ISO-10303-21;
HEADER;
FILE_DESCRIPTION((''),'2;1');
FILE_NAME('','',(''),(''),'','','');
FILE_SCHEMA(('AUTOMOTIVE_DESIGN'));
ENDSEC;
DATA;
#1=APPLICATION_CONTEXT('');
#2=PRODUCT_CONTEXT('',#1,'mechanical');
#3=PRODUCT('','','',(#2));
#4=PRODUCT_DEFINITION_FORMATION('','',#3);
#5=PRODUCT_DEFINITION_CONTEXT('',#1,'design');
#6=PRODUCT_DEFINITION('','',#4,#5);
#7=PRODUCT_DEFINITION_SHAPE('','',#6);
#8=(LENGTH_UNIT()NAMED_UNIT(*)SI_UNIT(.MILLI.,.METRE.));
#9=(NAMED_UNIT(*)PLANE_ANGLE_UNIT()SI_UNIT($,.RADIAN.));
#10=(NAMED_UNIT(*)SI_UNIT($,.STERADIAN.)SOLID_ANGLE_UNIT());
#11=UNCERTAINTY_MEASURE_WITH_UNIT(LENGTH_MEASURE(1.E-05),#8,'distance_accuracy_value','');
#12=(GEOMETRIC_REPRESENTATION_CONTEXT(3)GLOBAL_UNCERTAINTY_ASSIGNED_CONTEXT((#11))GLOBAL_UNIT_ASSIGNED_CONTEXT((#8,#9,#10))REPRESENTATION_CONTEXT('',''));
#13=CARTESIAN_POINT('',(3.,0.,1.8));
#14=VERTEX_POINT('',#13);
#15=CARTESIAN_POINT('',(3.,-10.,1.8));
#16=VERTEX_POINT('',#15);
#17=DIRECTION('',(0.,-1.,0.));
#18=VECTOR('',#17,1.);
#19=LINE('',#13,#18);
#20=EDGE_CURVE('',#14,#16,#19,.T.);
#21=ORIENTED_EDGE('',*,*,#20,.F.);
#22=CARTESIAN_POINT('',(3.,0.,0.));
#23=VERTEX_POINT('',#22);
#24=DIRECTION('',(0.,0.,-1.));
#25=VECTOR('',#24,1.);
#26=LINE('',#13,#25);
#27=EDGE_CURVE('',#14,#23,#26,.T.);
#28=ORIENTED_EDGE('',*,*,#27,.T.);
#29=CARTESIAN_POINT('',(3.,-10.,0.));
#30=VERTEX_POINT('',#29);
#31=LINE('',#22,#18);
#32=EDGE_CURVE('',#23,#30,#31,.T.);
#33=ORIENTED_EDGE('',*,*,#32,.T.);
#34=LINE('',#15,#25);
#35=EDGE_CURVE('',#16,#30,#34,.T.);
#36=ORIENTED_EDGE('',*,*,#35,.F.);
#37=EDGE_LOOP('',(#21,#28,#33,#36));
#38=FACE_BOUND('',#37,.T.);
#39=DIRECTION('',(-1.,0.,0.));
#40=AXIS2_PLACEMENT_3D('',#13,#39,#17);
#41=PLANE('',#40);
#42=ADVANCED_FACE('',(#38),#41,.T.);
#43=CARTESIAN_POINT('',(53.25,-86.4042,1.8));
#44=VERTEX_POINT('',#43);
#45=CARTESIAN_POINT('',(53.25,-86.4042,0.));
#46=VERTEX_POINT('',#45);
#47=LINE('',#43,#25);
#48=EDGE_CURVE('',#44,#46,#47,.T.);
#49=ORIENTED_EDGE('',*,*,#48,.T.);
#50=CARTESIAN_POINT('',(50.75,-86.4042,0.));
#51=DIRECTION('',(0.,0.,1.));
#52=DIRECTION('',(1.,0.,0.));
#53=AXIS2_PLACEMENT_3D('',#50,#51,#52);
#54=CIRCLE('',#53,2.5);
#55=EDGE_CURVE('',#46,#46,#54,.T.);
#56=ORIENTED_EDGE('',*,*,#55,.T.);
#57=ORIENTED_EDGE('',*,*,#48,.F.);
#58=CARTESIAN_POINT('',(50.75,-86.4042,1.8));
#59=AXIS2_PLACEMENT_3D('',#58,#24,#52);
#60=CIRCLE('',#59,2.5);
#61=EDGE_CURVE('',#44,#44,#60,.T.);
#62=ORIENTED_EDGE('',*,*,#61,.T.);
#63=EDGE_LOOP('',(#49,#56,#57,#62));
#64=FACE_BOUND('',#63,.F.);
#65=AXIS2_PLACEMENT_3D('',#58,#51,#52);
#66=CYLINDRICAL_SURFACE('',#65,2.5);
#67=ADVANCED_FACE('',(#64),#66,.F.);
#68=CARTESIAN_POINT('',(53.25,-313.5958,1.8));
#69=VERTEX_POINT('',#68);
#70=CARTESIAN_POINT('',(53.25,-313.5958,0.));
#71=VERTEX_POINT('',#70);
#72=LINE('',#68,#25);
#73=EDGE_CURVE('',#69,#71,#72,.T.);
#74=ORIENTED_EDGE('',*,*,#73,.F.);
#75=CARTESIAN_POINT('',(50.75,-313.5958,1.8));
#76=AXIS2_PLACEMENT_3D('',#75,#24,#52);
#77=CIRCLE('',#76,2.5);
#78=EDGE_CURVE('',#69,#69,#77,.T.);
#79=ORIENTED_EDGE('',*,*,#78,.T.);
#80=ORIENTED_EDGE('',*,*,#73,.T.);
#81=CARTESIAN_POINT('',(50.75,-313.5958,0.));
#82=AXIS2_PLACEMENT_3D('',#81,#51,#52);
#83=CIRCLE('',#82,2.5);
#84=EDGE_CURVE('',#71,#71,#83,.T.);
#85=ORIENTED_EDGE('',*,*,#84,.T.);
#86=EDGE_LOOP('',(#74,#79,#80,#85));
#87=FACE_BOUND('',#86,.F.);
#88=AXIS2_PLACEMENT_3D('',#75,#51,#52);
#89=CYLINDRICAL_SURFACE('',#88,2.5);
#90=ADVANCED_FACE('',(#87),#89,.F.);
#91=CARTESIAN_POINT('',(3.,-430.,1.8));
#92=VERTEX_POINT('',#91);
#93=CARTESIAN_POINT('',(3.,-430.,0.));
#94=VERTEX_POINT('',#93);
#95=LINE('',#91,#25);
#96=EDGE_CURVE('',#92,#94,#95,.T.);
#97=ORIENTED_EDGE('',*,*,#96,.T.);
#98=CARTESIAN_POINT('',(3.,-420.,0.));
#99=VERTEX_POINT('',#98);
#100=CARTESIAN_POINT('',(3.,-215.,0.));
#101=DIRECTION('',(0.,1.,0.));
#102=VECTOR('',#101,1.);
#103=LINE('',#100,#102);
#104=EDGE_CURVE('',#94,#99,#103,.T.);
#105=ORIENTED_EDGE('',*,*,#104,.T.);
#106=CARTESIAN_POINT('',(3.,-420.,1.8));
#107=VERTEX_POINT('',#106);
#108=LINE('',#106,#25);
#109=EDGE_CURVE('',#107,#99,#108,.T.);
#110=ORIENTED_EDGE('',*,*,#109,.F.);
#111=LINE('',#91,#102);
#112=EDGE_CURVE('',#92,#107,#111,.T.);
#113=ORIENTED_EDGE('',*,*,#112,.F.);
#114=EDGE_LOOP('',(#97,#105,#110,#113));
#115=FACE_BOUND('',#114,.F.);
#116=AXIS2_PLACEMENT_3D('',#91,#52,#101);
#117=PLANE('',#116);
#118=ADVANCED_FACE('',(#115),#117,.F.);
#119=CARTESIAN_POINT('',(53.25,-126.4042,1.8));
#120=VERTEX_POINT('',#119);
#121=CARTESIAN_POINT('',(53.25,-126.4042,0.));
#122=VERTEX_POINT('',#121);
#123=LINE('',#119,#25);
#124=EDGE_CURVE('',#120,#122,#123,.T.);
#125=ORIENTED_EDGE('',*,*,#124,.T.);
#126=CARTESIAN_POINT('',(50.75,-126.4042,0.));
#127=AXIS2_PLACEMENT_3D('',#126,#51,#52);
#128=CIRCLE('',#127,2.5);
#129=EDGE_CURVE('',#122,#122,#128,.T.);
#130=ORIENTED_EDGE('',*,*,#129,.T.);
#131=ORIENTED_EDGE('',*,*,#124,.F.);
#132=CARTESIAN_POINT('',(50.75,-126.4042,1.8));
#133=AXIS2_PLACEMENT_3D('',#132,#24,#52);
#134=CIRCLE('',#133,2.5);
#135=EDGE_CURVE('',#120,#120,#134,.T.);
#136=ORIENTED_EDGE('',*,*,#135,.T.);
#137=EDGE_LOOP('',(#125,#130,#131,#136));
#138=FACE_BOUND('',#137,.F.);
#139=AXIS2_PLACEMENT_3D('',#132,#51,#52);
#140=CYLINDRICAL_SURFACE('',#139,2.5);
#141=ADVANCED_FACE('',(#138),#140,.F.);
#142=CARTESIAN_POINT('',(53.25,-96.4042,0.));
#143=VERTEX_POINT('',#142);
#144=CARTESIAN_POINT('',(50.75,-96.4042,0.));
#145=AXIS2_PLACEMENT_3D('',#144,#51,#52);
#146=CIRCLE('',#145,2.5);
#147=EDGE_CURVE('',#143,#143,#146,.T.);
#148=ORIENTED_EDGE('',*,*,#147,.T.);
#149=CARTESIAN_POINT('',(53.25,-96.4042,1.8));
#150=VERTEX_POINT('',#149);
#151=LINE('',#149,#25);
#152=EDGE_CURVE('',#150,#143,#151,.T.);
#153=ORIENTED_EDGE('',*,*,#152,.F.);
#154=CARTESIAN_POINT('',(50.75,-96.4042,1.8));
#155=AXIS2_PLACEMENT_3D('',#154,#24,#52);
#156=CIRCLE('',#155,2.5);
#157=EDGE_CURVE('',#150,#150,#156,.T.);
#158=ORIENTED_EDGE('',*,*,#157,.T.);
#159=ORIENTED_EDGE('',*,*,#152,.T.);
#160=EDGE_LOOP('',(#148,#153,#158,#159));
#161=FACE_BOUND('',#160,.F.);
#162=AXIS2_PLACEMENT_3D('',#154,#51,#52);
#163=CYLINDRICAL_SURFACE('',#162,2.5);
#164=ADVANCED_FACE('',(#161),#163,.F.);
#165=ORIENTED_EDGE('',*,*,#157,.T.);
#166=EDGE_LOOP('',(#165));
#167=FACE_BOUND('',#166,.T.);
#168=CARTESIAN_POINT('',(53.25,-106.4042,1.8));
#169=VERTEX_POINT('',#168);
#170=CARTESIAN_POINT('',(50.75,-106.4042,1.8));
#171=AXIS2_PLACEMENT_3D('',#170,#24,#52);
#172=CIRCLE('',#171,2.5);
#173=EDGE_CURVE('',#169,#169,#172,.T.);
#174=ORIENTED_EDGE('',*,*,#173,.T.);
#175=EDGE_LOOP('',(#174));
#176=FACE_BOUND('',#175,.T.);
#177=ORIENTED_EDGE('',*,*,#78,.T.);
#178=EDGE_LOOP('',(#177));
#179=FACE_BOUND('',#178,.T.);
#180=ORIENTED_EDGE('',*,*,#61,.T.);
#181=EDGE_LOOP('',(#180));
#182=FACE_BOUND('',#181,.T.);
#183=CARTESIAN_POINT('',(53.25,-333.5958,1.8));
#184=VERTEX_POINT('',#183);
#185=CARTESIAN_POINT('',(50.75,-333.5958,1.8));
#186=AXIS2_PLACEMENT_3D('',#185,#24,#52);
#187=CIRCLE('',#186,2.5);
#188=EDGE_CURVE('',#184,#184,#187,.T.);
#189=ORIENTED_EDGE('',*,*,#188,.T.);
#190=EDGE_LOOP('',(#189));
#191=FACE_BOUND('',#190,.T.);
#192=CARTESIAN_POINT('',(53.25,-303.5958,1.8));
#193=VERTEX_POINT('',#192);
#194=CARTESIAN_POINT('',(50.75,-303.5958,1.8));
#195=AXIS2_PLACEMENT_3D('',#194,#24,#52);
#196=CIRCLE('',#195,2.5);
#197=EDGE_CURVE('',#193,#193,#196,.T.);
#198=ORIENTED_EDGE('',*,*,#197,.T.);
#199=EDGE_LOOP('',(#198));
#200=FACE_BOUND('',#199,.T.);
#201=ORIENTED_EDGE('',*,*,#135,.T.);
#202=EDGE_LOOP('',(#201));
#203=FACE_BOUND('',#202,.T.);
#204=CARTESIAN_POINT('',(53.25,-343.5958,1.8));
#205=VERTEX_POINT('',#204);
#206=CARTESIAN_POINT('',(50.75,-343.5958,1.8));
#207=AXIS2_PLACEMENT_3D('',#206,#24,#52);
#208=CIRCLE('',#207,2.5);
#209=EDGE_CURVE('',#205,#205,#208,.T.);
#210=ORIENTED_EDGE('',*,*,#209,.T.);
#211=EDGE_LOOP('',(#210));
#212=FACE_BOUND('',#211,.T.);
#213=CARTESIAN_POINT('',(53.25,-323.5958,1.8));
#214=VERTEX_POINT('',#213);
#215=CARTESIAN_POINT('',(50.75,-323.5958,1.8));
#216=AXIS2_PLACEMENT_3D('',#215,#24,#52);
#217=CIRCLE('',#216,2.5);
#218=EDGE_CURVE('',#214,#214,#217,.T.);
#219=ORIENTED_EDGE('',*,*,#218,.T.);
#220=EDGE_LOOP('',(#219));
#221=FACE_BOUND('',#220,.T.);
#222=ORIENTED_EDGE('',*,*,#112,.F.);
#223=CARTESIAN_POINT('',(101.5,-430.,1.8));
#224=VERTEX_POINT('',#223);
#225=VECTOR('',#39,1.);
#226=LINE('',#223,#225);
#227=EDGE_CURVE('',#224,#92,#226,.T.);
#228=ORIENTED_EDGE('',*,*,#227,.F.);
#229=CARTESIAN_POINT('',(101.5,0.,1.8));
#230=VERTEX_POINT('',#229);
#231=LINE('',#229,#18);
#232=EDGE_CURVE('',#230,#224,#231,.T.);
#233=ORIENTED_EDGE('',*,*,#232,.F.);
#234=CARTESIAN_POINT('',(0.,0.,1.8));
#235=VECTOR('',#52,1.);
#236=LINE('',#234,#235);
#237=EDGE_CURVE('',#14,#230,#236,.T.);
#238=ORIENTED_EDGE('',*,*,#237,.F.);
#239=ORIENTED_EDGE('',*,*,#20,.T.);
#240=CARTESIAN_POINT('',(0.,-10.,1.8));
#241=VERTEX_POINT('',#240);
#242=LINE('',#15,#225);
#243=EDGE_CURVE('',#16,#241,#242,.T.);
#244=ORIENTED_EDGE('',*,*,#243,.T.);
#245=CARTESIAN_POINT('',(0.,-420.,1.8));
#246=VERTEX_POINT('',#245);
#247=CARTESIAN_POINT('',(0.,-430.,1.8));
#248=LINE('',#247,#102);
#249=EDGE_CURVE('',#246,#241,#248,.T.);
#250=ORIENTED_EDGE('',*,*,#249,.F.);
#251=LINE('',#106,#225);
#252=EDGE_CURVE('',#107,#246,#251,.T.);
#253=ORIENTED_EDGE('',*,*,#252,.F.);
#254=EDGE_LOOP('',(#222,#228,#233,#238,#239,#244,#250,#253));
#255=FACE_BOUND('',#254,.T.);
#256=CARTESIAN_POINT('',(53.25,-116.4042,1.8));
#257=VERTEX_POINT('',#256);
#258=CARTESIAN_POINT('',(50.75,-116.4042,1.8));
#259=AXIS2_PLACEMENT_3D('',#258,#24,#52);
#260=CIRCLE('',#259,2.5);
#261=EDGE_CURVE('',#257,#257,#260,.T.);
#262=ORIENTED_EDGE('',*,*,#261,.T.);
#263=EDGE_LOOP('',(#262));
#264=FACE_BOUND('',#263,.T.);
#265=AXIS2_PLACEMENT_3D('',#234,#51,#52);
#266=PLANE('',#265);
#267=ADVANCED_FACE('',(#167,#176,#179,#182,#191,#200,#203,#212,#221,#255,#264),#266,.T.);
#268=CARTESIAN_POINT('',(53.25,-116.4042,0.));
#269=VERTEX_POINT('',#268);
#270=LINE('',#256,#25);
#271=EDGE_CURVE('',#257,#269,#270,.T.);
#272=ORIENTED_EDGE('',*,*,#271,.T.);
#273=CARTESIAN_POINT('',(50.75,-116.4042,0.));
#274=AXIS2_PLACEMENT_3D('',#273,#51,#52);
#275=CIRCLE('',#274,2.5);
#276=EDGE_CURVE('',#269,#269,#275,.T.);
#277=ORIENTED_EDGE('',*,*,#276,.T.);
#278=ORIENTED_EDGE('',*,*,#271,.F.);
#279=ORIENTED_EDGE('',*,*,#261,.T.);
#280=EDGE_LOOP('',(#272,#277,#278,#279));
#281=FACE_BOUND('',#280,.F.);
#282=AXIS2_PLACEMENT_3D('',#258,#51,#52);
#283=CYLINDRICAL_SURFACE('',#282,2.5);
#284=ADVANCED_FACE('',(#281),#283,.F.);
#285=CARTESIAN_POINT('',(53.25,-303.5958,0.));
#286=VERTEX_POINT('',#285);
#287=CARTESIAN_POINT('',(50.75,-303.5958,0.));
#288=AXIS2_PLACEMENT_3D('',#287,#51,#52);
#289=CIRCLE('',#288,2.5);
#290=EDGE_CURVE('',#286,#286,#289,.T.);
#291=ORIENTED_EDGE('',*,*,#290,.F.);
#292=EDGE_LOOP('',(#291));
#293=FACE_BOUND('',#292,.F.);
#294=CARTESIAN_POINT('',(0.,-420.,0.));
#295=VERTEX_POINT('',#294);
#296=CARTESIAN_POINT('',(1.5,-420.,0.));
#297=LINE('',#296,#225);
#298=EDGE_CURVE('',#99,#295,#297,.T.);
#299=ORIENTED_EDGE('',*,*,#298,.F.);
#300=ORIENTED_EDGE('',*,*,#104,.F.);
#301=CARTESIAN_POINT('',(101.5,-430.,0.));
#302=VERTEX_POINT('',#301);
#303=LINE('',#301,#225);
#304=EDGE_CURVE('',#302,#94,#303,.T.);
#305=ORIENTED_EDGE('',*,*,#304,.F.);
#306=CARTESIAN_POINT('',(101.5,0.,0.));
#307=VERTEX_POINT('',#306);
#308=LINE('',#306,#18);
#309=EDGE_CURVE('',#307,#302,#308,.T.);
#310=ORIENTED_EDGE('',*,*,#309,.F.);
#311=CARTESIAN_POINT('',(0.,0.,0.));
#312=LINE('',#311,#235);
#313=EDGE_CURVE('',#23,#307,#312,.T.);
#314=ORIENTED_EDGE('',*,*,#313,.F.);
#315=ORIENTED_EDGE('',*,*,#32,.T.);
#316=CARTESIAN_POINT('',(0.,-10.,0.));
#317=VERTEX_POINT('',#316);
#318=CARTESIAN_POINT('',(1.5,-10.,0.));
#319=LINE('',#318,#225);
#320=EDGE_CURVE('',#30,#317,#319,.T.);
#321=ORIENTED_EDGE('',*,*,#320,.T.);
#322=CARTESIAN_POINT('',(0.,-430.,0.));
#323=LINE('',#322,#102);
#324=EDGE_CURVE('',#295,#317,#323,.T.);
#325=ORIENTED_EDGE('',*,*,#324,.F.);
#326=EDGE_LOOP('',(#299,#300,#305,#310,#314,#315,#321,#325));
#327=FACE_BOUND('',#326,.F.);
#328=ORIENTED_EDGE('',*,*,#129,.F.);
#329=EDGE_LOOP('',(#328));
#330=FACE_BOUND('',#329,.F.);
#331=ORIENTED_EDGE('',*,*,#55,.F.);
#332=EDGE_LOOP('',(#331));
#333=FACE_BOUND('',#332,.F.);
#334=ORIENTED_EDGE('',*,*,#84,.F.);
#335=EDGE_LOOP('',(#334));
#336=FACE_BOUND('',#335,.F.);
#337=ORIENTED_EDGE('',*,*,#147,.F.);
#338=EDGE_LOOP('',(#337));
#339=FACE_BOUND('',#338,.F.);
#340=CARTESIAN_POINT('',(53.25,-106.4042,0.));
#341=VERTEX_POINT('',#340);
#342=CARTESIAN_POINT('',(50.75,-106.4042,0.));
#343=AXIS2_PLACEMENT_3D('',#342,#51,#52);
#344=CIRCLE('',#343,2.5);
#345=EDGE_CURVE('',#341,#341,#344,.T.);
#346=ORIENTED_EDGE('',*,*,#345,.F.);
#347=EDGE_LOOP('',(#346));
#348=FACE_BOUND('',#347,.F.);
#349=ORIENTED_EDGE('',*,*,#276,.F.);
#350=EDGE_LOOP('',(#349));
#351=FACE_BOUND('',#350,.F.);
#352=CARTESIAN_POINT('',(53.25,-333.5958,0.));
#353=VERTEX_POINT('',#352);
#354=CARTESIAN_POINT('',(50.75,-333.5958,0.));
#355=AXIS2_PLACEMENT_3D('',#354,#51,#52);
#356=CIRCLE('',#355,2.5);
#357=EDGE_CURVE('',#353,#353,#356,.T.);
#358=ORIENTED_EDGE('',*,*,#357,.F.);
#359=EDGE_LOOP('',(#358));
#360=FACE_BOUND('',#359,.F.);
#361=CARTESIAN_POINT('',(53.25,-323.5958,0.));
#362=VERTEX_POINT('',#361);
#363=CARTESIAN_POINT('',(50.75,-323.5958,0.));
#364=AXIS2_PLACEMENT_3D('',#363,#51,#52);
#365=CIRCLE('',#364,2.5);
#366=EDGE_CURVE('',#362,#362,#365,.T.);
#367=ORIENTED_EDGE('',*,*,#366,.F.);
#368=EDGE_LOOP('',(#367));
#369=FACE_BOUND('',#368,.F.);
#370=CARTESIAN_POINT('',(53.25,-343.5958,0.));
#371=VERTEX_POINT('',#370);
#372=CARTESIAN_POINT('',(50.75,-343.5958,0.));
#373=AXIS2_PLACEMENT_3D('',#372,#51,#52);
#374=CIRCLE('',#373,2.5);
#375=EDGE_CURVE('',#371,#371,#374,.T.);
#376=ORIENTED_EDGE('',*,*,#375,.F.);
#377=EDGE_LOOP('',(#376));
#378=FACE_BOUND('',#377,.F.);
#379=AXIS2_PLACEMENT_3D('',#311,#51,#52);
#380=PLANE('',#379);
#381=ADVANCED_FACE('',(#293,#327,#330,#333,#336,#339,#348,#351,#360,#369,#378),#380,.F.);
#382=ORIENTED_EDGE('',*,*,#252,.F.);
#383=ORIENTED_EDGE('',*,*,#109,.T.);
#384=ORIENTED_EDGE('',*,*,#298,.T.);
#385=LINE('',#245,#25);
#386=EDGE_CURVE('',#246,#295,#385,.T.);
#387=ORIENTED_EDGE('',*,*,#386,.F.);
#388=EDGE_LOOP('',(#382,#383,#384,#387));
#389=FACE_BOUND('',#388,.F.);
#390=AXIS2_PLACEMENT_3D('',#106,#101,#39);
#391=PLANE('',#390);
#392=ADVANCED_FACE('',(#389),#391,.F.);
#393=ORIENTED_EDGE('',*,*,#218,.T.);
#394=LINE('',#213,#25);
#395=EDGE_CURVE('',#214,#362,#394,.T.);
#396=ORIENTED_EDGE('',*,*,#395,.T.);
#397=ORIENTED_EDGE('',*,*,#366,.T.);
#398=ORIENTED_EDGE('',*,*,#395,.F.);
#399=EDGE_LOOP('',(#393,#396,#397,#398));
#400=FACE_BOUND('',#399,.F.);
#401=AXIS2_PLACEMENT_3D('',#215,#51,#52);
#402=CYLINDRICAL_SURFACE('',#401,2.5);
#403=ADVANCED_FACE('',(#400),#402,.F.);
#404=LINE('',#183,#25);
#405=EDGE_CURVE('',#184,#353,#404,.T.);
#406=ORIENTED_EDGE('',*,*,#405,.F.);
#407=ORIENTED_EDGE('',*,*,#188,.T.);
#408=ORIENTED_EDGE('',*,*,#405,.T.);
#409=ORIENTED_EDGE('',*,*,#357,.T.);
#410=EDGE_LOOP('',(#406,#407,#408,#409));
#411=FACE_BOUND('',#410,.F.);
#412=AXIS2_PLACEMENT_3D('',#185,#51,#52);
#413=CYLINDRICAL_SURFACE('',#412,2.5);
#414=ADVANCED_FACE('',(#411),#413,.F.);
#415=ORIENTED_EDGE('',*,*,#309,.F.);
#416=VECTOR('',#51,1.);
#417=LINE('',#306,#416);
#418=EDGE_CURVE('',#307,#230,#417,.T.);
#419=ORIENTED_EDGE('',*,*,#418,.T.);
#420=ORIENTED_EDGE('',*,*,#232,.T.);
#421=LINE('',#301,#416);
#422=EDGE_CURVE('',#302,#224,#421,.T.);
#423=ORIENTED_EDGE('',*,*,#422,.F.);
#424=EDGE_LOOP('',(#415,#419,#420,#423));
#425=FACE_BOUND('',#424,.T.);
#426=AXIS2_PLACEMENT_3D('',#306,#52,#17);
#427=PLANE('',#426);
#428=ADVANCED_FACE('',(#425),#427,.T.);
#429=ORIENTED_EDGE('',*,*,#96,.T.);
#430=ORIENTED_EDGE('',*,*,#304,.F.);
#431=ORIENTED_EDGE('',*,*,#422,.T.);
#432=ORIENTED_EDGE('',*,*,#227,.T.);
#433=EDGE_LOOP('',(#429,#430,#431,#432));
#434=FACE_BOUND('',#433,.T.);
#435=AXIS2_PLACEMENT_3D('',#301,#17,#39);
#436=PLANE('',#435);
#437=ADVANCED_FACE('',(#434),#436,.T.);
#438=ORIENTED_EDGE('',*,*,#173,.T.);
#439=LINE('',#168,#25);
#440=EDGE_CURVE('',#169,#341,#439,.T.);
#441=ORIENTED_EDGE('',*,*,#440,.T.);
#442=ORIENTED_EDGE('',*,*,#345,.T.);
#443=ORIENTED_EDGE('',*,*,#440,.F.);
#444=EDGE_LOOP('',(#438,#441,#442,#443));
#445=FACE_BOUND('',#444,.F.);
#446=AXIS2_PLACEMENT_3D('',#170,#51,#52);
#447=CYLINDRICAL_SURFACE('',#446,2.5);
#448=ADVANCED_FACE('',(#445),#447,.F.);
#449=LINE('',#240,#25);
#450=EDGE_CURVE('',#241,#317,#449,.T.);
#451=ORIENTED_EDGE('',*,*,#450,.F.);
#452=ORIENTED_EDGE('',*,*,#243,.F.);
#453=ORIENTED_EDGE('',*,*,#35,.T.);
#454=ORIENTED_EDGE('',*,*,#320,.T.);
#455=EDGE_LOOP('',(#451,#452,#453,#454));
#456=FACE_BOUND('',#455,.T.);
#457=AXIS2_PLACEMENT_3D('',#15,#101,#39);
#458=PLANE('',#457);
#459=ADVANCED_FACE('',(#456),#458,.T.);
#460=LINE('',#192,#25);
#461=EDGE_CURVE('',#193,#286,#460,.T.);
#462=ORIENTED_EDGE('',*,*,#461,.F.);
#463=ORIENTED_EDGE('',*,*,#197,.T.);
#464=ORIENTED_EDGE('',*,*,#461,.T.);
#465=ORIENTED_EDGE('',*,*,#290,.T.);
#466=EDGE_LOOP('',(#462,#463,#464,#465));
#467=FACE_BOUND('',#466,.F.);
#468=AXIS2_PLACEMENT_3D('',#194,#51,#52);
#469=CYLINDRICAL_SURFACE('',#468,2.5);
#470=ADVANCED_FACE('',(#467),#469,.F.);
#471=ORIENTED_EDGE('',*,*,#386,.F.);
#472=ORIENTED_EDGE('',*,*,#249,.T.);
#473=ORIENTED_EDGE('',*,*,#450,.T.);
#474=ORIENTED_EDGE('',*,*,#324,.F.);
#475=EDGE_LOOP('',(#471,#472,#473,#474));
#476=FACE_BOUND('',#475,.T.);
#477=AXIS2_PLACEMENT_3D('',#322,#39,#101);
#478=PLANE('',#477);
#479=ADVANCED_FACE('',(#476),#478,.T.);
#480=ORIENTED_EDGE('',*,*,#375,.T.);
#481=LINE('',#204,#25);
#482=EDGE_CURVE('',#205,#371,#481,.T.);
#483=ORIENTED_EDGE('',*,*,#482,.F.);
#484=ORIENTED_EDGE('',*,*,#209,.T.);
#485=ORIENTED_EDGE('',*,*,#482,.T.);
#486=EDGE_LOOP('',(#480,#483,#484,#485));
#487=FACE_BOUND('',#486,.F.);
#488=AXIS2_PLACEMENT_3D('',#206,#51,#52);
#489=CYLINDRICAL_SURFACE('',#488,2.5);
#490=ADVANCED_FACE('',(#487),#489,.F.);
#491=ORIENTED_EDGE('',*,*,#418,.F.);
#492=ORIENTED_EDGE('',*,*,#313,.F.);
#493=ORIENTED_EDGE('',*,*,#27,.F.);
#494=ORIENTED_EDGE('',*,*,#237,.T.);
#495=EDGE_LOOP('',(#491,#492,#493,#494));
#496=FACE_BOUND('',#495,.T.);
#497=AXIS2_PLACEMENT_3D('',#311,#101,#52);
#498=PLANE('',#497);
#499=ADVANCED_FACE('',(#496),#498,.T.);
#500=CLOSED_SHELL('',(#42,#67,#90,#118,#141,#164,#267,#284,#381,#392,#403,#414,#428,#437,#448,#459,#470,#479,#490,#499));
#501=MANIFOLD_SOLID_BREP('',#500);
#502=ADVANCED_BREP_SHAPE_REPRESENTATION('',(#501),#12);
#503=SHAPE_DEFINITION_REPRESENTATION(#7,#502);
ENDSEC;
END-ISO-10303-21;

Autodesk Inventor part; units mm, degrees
ref_plane "YZ Plane" through (0, 0, 0) normal (1, 0, 0) x (0, 1, 0)
ref_plane "XZ Plane" through (0, 0, 0) normal (0, 1, 0) x (-1, 0, 0)
ref_plane "XY Plane" through (0, 0, 0) normal (0, 0, 1) x (1, 0, 0)
sketch "Sketch1" plane through (0, 0, 0) normal (0, 0, 1) x (1, 0, 0)
  line L0 (0, 0) -> (101.5, 0)
  line L1 (101.5, 0) -> (101.5, -430)
  line L2 (101.5, -430) -> (0, -430)
  line L3 (0, -430) -> (0, 0)
  dimension "d0" = 101.5
  dimension "d1" = 430
extrude "Extrusion1" add sketch "Sketch1" along normal blind 1.8
sketch "Sketch2" plane through (0, 0, 1.8) normal (0, 0, 1) x (1, 0, 0)
  line L0 (0, 0) -> (0, -430) projected
  line L1 (101.5, -430) -> (101.5, 0) projected
  line L2 (0, 0) -> (101.5, 0)
  line L3 (101.5, 0) -> (101.5, -10)
  line L4 (101.5, -10) -> (0, -10)
  line L5 (0, -10) -> (0, 0)
  line L6 (50.75, -10) -> (140.75, -10)
  line L7 (140.75, -10) -> (140.75, -106.4042)
  line L8 (140.75, -106.4042) -> (50.75, -106.4042)
  line L9 (50.75, -106.4042) -> (50.75, -10)
  circle A0 centre (50.75, -106.4042) radius 2.5
  line L10 (50.75, -106.4042) -> (50.75, -126.4042)
  circle A1 centre (50.75, -126.4042) radius 2.5
  line L11 (50.75, -106.4042) -> (50.75, -86.4042)
  circle A2 centre (50.75, -86.4042) radius 2.5
  circle A3 centre (50.75, -96.4042) radius 2.5
  circle A4 centre (50.75, -116.4042) radius 2.5
  line L12 (101.5, 0) -> (0, 0) projected
  line L13 (0, -430) -> (101.5, -430) projected
  line L14 (0, 0) -> (101.5, -430)
  line L15 (101.5, -430) -> (50.75, -215)
  line L16 (50.75, -215) -> (87.135, -215)
  circle A5 centre (50.75, -323.5958) radius 2.5
  line L17 (50.75, -323.5958) -> (50.75, -303.5958)
  circle A6 centre (50.75, -303.5958) radius 2.5
  line L18 (50.75, -323.5958) -> (50.75, -343.5958)
  circle A7 centre (50.75, -343.5958) radius 2.5
  circle A8 centre (50.75, -333.5958) radius 2.5
  circle A9 centre (50.75, -313.5958) radius 2.5
  dimension "d4" = 10
  dimension "d5" = 90
  dimension "d6" = 5
  dimension "d7" = 20
  dimension "d8" = 20
  dimension "d9" = 5
  dimension "d10" = 5
  dimension "d11" = 5
extrude "Extrusion2" cut sketch "Sketch2" against normal blind 10 contours A1 | A4 L10 | L10 A4 | A2 L9 | L9 A2 | A0 L10 L8 | L8 L9 A0 | L10 A0 L9 | A3 L9 | L9 A3 | A5 L18 L17 | A7 | A8 L18 | L18 A8 | A6 | A9 L17 | L17 A9 | L17 L18 A5
sketch "Sketch3" plane through (0, 0, 1.8) normal (0, 0, 1) x (1, 0, 0)
  line L0 (101.5, 0) -> (0, 0) projected
  line L1 (0, 0) -> (3, 0)
  line L2 (3, 0) -> (3, -10)
  line L3 (3, -10) -> (0, -10)
  line L4 (0, -10) -> (0, 0)
  line L5 (0, 0) -> (0, -430) projected
  line L6 (0, -430) -> (3, -430)
  line L7 (3, -430) -> (3, -420)
  line L8 (3, -420) -> (0, -420)
  line L9 (0, -420) -> (0, -430)
  point P0 (0, -420)
  dimension "d14" = 3
  dimension "d15" = 10
  dimension "d16" = 3
  dimension "d17" = 10
extrude "Extrusion3" cut sketch "Sketch3" against normal blind 10
properties part number "7000_Aluminum_Chasis_Coil_Assembly_Separator_MPSv2_v1" material "Aluminum 6061"
